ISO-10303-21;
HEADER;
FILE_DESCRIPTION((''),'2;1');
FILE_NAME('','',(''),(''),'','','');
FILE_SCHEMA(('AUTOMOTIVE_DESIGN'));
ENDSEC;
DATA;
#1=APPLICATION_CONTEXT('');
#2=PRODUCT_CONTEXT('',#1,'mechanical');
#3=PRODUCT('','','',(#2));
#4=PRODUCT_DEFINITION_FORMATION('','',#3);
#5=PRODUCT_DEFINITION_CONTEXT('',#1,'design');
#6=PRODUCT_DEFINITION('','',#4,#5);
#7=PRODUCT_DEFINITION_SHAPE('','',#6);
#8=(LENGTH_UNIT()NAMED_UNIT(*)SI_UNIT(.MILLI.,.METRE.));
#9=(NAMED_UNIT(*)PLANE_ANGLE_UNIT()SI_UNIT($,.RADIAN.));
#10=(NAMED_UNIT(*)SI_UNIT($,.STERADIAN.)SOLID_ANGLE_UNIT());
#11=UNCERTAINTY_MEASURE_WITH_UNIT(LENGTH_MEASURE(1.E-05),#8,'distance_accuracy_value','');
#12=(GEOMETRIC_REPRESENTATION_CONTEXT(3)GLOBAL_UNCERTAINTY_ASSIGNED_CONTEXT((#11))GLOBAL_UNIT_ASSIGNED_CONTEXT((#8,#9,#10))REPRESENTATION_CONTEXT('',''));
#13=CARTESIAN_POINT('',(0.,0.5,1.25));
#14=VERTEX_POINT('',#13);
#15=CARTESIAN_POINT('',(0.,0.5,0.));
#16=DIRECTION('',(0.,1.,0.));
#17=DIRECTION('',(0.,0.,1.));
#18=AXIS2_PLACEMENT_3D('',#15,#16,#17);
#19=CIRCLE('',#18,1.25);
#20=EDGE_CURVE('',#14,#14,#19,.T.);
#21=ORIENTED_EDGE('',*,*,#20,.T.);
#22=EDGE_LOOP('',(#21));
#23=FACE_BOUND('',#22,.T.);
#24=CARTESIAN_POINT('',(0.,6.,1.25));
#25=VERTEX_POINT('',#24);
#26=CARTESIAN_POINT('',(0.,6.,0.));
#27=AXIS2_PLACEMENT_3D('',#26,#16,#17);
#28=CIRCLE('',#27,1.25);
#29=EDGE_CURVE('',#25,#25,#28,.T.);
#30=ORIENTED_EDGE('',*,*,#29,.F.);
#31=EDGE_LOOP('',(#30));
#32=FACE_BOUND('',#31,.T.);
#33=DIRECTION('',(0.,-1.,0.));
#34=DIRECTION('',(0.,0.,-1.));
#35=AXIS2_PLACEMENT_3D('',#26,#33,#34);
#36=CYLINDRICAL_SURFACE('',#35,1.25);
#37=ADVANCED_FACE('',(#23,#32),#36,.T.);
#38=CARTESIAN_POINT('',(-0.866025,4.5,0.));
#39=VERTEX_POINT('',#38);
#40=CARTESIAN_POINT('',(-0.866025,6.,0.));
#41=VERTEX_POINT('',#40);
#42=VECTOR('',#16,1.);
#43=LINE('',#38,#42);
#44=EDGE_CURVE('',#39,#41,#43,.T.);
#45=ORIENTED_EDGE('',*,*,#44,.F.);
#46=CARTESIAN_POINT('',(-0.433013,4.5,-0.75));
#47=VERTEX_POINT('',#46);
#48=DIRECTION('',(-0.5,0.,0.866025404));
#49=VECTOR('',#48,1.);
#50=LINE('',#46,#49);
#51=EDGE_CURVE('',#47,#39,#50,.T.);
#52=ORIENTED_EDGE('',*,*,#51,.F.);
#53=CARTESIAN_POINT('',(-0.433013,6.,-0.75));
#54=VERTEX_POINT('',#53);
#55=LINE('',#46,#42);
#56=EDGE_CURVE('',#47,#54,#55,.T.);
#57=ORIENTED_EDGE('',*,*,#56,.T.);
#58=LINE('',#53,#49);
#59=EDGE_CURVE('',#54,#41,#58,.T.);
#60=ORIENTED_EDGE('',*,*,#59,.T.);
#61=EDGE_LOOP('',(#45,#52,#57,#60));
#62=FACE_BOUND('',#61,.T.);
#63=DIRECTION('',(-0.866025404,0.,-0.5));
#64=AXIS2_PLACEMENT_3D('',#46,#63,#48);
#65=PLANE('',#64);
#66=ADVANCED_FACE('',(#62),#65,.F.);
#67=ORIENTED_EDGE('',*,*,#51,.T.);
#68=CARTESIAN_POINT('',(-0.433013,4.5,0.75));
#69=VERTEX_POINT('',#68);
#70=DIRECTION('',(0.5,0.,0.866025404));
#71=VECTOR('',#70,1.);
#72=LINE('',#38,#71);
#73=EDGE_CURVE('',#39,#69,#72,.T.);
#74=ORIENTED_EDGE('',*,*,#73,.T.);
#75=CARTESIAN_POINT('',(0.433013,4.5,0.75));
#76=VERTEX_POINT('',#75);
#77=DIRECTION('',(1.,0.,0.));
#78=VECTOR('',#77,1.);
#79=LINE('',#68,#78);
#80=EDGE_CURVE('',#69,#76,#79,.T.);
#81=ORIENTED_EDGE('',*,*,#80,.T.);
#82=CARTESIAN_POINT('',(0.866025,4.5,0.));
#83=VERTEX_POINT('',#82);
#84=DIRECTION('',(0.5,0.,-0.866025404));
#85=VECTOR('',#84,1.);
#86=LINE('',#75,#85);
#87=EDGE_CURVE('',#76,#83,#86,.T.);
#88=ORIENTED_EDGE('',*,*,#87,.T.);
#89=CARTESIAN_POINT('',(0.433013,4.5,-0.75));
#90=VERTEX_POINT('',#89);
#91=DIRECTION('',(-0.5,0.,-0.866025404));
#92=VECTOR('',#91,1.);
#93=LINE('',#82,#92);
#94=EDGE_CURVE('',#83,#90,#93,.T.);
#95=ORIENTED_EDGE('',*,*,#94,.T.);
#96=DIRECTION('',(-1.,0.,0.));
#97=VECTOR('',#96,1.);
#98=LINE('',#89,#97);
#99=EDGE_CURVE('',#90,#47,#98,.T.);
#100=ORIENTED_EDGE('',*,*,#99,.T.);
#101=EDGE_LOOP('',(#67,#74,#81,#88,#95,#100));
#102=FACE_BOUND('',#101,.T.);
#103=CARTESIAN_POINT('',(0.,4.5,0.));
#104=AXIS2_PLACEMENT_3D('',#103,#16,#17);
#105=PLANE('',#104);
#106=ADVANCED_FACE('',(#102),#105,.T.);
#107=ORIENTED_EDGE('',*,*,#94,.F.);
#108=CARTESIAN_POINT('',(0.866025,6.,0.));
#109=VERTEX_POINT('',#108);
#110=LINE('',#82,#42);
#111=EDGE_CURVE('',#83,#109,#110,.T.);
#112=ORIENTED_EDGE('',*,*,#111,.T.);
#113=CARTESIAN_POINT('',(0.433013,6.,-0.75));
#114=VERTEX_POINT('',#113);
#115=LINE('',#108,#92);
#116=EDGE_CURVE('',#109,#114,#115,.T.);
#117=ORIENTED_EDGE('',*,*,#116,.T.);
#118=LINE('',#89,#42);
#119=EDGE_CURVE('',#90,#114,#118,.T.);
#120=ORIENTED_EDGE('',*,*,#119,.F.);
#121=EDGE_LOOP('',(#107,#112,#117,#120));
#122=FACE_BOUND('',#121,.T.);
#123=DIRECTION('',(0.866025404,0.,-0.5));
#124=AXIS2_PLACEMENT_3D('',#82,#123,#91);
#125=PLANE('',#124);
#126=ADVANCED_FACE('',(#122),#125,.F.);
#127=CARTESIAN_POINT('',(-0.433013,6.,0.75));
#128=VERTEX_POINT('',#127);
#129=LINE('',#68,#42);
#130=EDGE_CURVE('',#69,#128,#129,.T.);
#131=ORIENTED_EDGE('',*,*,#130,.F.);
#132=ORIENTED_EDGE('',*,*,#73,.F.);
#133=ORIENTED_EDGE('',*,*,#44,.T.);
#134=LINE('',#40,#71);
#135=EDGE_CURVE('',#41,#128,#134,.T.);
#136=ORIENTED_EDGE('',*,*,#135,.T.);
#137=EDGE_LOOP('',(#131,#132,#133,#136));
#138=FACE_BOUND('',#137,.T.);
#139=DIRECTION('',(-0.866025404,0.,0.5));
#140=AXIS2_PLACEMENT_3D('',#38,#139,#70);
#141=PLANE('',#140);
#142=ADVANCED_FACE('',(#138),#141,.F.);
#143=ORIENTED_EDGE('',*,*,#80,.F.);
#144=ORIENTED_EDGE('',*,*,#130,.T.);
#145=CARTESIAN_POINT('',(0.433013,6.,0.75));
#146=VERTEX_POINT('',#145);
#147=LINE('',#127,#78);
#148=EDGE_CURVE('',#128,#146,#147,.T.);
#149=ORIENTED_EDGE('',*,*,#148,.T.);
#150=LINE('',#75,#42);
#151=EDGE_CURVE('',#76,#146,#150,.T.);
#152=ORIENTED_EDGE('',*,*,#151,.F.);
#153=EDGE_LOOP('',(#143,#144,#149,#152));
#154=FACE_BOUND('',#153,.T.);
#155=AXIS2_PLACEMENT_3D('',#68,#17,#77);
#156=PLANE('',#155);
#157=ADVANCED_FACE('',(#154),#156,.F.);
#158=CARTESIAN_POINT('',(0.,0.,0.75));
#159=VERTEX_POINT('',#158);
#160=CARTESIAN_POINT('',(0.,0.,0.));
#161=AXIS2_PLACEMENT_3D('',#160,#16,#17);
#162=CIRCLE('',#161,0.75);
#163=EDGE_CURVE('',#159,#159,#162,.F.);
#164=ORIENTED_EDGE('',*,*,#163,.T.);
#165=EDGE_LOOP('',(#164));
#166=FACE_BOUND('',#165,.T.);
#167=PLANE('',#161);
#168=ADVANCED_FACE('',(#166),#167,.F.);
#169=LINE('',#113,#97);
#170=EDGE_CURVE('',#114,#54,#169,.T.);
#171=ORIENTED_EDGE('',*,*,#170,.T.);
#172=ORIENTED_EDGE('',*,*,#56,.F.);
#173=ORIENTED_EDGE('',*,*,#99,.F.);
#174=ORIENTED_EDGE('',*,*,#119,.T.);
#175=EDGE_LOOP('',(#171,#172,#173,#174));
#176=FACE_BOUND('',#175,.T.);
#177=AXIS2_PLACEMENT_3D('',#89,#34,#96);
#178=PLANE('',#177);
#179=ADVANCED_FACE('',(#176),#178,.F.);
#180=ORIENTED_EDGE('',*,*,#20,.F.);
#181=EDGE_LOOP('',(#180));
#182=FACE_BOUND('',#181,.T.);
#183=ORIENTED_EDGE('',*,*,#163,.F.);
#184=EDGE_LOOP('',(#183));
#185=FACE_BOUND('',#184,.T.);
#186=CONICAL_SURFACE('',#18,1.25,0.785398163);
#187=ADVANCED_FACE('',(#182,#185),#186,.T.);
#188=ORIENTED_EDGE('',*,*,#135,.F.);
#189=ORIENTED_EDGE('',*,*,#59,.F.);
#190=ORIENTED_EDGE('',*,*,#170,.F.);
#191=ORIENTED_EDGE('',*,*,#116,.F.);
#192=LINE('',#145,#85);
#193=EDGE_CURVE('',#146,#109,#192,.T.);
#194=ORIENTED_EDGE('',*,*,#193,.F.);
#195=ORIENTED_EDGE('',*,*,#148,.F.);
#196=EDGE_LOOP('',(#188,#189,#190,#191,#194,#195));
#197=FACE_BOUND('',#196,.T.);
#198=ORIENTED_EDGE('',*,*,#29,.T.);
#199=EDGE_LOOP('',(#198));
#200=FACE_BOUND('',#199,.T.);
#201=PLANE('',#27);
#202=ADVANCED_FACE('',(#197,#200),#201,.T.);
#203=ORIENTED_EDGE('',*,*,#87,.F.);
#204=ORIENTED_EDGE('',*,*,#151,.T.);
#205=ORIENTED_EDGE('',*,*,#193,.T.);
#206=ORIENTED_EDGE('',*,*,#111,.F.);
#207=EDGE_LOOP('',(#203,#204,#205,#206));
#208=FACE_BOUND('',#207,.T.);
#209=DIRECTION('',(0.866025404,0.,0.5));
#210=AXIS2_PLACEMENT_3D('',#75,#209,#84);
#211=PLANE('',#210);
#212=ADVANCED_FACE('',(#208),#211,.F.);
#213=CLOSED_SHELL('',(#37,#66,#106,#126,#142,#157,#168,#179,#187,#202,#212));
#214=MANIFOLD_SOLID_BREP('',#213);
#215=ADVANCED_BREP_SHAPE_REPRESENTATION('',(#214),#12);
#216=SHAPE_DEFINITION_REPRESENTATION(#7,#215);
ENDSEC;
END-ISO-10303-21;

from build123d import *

# Parameters (mm, degrees)
SKETCH1_R           = 1.25
BOSS_EXTRUDE1_DEPTH = 6
CHAMFER1_SIZE       = 0.5
CUT_EXTRUDE1_DEPTH  = 1.5


with BuildPart() as part:
    # Sketch1 → Boss-Extrude1 (new body)
    with BuildSketch(Plane(origin=(0, 0, 0), x_dir=(1, 0, 0), z_dir=(0, 1, 0))):
        Circle(SKETCH1_R)
    extrude(amount=BOSS_EXTRUDE1_DEPTH)

    # Chamfer1
    chamfer1_edges = [part.edges().sort_by_distance(p)[0] for p in [
        (-1.25, 0, 0),
    ]]
    chamfer(chamfer1_edges, length=CHAMFER1_SIZE)

    # Sketch2 → Cut-Extrude1 (cut)
    with BuildSketch(Plane(origin=(0, 6, 0), x_dir=(1, 0, 0), z_dir=(0, 1, 0))):
        Polygon((0.433012702, -0.75), (0.866025404, 0), (0.433012702, 0.75), (-0.433012702, 0.75), (-0.866025404, 0), (-0.433012702, -0.75), align=None)
    extrude(amount=-CUT_EXTRUDE1_DEPTH, mode=Mode.SUBTRACT)


solid = part.part
